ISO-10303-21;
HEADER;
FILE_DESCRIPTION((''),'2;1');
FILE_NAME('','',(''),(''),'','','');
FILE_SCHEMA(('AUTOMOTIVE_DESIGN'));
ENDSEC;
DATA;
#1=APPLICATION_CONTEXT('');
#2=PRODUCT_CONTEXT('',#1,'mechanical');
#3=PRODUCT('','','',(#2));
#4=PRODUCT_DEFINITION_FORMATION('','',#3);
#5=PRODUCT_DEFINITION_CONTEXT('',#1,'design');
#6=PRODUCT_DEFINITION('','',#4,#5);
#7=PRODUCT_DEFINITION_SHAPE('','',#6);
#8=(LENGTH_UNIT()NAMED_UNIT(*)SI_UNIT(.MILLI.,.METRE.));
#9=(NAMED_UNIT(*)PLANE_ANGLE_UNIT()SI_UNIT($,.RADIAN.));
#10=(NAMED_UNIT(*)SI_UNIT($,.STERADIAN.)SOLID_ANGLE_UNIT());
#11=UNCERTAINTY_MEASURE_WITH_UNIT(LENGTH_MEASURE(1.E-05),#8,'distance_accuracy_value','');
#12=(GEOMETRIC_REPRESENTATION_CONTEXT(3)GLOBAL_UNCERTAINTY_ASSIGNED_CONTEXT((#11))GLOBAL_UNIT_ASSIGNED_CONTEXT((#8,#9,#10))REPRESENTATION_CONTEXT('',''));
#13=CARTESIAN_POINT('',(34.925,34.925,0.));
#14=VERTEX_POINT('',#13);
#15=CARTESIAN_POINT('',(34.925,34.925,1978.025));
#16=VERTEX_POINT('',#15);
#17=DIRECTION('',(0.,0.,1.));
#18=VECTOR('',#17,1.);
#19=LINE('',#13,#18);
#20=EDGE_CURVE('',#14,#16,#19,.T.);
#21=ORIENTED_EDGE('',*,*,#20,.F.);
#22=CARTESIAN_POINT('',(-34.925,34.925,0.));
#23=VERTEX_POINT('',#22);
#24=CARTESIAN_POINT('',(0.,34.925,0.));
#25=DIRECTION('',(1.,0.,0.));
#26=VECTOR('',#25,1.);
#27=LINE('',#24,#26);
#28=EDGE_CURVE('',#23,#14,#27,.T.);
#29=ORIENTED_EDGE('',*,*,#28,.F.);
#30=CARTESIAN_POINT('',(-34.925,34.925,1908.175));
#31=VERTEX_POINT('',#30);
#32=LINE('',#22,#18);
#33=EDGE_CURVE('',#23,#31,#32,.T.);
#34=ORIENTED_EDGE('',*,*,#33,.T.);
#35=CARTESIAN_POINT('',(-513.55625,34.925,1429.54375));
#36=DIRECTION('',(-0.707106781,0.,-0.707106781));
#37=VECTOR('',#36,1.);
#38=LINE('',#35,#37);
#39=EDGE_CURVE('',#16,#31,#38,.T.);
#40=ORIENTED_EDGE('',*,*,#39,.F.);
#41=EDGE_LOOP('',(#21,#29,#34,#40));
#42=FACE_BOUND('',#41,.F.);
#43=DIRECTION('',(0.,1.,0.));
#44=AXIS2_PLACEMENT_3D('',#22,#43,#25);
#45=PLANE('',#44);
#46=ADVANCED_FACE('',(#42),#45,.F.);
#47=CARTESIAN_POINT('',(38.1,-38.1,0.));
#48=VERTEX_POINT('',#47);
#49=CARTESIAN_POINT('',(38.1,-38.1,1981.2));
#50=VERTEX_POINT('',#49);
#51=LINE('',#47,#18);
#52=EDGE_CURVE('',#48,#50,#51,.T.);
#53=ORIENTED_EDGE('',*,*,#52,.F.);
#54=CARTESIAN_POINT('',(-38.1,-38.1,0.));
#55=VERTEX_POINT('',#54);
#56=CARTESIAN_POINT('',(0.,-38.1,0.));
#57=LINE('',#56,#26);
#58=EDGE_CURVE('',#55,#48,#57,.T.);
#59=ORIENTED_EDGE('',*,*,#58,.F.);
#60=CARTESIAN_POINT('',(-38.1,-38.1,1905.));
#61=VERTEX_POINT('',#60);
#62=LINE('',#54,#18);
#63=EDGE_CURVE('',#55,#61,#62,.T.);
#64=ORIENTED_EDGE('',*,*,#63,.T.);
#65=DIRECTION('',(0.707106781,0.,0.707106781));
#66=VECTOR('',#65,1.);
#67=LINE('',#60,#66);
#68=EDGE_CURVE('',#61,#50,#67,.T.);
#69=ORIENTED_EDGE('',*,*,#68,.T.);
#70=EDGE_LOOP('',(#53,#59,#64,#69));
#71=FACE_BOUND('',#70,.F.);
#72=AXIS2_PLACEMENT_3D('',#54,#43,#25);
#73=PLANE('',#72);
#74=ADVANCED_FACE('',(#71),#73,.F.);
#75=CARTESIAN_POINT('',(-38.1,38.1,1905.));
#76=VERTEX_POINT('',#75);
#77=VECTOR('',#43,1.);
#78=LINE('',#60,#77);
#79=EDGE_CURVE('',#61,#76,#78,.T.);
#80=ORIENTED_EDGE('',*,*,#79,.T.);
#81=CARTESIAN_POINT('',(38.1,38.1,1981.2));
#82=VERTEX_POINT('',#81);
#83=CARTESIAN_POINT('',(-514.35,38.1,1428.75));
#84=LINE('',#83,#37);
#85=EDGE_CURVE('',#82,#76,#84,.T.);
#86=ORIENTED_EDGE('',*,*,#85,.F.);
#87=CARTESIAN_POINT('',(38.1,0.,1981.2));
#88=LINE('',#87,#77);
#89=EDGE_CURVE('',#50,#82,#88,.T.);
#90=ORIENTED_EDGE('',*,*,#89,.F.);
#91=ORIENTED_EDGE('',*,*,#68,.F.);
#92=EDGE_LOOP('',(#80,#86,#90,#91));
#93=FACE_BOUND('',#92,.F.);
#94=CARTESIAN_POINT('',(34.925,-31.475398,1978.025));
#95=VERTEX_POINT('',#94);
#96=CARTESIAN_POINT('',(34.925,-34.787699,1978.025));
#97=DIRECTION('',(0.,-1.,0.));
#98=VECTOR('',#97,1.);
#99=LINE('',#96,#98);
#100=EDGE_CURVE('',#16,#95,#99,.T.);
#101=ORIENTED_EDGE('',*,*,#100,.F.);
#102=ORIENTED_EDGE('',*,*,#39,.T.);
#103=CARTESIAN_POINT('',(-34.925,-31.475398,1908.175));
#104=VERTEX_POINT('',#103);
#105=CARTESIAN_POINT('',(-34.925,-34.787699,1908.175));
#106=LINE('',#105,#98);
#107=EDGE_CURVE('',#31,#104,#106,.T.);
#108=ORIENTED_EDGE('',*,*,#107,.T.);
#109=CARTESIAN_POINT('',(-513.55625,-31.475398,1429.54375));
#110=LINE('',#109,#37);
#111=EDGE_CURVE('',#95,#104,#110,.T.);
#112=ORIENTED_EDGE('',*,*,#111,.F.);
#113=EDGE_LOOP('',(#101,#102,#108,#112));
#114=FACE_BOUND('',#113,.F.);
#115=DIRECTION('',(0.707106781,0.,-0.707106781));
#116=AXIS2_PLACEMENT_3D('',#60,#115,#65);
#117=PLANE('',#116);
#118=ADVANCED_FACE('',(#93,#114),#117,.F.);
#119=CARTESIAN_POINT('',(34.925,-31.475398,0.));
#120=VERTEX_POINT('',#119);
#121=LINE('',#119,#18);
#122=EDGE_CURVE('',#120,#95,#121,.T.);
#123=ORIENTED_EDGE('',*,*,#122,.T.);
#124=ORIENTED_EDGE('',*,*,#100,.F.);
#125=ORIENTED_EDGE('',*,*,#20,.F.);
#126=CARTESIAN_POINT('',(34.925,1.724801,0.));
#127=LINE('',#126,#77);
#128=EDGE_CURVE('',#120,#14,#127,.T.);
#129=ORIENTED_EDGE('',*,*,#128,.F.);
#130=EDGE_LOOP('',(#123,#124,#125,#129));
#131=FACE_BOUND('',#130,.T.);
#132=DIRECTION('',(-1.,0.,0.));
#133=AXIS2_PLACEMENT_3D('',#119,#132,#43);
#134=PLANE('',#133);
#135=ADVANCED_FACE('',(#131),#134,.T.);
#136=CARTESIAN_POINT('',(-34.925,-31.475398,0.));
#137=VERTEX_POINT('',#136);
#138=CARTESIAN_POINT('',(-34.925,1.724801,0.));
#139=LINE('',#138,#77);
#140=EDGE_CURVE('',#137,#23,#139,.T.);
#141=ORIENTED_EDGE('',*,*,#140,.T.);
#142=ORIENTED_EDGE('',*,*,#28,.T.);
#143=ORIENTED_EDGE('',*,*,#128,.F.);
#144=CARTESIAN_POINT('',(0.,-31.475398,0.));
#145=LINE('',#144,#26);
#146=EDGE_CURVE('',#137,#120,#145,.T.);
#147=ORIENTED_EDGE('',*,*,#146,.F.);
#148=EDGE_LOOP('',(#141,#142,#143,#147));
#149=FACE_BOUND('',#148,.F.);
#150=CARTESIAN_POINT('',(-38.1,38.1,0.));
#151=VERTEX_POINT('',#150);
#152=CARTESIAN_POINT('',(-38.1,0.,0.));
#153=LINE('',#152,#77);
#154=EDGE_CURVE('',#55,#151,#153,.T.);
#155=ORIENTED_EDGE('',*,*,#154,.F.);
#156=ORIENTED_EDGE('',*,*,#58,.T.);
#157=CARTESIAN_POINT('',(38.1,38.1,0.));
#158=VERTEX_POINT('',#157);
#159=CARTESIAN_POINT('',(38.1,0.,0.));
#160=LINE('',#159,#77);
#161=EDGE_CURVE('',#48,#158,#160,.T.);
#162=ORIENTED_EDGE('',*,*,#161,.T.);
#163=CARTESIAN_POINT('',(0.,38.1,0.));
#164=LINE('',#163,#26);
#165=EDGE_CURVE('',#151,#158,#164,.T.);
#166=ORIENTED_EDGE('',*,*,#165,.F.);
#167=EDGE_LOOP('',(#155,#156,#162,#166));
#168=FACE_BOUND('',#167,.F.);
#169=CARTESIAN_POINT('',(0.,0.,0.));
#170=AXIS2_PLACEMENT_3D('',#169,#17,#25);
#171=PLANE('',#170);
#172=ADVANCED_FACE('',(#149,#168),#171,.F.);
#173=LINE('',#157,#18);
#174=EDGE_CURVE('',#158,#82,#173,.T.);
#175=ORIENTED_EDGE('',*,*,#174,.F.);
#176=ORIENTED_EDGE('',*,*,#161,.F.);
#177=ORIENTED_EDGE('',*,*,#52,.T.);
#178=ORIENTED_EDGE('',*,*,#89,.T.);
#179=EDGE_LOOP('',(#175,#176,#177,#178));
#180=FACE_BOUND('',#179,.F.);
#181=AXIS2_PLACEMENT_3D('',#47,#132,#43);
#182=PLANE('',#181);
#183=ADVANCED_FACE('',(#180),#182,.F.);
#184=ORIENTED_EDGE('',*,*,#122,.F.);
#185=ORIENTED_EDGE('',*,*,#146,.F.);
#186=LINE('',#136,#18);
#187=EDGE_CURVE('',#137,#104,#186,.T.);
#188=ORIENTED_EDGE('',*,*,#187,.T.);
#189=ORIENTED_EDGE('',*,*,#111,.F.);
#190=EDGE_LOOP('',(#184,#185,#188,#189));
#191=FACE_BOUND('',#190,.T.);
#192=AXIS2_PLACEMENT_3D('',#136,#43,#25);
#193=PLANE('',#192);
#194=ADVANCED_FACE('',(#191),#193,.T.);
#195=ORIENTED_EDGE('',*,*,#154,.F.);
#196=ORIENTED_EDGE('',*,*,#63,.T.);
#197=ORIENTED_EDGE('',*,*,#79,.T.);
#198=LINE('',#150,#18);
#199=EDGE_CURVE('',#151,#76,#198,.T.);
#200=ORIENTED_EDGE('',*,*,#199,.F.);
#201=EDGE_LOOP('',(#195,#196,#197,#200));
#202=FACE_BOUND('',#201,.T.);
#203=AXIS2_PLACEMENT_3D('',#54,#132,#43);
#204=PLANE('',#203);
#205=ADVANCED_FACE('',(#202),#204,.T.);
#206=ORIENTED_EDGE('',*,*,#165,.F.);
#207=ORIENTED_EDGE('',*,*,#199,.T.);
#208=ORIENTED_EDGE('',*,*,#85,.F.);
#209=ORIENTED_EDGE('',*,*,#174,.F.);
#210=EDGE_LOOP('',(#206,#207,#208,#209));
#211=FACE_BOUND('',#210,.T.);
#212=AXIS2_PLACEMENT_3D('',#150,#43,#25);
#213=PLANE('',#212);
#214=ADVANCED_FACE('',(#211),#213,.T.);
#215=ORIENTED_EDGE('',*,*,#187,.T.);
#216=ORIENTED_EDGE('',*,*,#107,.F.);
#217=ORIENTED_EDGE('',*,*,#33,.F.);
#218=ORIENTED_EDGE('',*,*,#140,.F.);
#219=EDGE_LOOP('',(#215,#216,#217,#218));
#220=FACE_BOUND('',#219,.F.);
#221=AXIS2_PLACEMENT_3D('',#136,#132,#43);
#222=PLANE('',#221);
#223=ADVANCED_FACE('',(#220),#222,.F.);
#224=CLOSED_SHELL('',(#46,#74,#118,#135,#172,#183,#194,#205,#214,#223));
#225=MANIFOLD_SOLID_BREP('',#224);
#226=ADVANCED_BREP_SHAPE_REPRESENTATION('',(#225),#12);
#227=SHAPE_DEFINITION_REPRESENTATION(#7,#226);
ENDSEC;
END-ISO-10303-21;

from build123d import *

# Parameters (mm, degrees)
F0_W     = 76.2
F0_H     = 76.2
F0_W_2   = 69.85
F0_H_2   = 66.400398
F1_DEPTH = 1981.2
F3_DEPTH = 101.6


with BuildPart() as f1:
    # F0 (on Top) → F1 (new body)
    with BuildSketch(Plane.XY):
        Rectangle(F0_W, F0_H)
        with Locations((0, 1.724801)):
            Rectangle(F0_W_2, F0_H_2, mode=Mode.SUBTRACT)
    extrude(amount=F1_DEPTH)

    # F2 (on face) → F3 (cut)
    with BuildSketch(Plane.XZ.offset(38.1)):
        Polygon((-38.1, 1905), (38.1, 1981.2), (-38.1, 1981.2), align=None)
    extrude(amount=-F3_DEPTH, mode=Mode.SUBTRACT)


solid = f1.part
